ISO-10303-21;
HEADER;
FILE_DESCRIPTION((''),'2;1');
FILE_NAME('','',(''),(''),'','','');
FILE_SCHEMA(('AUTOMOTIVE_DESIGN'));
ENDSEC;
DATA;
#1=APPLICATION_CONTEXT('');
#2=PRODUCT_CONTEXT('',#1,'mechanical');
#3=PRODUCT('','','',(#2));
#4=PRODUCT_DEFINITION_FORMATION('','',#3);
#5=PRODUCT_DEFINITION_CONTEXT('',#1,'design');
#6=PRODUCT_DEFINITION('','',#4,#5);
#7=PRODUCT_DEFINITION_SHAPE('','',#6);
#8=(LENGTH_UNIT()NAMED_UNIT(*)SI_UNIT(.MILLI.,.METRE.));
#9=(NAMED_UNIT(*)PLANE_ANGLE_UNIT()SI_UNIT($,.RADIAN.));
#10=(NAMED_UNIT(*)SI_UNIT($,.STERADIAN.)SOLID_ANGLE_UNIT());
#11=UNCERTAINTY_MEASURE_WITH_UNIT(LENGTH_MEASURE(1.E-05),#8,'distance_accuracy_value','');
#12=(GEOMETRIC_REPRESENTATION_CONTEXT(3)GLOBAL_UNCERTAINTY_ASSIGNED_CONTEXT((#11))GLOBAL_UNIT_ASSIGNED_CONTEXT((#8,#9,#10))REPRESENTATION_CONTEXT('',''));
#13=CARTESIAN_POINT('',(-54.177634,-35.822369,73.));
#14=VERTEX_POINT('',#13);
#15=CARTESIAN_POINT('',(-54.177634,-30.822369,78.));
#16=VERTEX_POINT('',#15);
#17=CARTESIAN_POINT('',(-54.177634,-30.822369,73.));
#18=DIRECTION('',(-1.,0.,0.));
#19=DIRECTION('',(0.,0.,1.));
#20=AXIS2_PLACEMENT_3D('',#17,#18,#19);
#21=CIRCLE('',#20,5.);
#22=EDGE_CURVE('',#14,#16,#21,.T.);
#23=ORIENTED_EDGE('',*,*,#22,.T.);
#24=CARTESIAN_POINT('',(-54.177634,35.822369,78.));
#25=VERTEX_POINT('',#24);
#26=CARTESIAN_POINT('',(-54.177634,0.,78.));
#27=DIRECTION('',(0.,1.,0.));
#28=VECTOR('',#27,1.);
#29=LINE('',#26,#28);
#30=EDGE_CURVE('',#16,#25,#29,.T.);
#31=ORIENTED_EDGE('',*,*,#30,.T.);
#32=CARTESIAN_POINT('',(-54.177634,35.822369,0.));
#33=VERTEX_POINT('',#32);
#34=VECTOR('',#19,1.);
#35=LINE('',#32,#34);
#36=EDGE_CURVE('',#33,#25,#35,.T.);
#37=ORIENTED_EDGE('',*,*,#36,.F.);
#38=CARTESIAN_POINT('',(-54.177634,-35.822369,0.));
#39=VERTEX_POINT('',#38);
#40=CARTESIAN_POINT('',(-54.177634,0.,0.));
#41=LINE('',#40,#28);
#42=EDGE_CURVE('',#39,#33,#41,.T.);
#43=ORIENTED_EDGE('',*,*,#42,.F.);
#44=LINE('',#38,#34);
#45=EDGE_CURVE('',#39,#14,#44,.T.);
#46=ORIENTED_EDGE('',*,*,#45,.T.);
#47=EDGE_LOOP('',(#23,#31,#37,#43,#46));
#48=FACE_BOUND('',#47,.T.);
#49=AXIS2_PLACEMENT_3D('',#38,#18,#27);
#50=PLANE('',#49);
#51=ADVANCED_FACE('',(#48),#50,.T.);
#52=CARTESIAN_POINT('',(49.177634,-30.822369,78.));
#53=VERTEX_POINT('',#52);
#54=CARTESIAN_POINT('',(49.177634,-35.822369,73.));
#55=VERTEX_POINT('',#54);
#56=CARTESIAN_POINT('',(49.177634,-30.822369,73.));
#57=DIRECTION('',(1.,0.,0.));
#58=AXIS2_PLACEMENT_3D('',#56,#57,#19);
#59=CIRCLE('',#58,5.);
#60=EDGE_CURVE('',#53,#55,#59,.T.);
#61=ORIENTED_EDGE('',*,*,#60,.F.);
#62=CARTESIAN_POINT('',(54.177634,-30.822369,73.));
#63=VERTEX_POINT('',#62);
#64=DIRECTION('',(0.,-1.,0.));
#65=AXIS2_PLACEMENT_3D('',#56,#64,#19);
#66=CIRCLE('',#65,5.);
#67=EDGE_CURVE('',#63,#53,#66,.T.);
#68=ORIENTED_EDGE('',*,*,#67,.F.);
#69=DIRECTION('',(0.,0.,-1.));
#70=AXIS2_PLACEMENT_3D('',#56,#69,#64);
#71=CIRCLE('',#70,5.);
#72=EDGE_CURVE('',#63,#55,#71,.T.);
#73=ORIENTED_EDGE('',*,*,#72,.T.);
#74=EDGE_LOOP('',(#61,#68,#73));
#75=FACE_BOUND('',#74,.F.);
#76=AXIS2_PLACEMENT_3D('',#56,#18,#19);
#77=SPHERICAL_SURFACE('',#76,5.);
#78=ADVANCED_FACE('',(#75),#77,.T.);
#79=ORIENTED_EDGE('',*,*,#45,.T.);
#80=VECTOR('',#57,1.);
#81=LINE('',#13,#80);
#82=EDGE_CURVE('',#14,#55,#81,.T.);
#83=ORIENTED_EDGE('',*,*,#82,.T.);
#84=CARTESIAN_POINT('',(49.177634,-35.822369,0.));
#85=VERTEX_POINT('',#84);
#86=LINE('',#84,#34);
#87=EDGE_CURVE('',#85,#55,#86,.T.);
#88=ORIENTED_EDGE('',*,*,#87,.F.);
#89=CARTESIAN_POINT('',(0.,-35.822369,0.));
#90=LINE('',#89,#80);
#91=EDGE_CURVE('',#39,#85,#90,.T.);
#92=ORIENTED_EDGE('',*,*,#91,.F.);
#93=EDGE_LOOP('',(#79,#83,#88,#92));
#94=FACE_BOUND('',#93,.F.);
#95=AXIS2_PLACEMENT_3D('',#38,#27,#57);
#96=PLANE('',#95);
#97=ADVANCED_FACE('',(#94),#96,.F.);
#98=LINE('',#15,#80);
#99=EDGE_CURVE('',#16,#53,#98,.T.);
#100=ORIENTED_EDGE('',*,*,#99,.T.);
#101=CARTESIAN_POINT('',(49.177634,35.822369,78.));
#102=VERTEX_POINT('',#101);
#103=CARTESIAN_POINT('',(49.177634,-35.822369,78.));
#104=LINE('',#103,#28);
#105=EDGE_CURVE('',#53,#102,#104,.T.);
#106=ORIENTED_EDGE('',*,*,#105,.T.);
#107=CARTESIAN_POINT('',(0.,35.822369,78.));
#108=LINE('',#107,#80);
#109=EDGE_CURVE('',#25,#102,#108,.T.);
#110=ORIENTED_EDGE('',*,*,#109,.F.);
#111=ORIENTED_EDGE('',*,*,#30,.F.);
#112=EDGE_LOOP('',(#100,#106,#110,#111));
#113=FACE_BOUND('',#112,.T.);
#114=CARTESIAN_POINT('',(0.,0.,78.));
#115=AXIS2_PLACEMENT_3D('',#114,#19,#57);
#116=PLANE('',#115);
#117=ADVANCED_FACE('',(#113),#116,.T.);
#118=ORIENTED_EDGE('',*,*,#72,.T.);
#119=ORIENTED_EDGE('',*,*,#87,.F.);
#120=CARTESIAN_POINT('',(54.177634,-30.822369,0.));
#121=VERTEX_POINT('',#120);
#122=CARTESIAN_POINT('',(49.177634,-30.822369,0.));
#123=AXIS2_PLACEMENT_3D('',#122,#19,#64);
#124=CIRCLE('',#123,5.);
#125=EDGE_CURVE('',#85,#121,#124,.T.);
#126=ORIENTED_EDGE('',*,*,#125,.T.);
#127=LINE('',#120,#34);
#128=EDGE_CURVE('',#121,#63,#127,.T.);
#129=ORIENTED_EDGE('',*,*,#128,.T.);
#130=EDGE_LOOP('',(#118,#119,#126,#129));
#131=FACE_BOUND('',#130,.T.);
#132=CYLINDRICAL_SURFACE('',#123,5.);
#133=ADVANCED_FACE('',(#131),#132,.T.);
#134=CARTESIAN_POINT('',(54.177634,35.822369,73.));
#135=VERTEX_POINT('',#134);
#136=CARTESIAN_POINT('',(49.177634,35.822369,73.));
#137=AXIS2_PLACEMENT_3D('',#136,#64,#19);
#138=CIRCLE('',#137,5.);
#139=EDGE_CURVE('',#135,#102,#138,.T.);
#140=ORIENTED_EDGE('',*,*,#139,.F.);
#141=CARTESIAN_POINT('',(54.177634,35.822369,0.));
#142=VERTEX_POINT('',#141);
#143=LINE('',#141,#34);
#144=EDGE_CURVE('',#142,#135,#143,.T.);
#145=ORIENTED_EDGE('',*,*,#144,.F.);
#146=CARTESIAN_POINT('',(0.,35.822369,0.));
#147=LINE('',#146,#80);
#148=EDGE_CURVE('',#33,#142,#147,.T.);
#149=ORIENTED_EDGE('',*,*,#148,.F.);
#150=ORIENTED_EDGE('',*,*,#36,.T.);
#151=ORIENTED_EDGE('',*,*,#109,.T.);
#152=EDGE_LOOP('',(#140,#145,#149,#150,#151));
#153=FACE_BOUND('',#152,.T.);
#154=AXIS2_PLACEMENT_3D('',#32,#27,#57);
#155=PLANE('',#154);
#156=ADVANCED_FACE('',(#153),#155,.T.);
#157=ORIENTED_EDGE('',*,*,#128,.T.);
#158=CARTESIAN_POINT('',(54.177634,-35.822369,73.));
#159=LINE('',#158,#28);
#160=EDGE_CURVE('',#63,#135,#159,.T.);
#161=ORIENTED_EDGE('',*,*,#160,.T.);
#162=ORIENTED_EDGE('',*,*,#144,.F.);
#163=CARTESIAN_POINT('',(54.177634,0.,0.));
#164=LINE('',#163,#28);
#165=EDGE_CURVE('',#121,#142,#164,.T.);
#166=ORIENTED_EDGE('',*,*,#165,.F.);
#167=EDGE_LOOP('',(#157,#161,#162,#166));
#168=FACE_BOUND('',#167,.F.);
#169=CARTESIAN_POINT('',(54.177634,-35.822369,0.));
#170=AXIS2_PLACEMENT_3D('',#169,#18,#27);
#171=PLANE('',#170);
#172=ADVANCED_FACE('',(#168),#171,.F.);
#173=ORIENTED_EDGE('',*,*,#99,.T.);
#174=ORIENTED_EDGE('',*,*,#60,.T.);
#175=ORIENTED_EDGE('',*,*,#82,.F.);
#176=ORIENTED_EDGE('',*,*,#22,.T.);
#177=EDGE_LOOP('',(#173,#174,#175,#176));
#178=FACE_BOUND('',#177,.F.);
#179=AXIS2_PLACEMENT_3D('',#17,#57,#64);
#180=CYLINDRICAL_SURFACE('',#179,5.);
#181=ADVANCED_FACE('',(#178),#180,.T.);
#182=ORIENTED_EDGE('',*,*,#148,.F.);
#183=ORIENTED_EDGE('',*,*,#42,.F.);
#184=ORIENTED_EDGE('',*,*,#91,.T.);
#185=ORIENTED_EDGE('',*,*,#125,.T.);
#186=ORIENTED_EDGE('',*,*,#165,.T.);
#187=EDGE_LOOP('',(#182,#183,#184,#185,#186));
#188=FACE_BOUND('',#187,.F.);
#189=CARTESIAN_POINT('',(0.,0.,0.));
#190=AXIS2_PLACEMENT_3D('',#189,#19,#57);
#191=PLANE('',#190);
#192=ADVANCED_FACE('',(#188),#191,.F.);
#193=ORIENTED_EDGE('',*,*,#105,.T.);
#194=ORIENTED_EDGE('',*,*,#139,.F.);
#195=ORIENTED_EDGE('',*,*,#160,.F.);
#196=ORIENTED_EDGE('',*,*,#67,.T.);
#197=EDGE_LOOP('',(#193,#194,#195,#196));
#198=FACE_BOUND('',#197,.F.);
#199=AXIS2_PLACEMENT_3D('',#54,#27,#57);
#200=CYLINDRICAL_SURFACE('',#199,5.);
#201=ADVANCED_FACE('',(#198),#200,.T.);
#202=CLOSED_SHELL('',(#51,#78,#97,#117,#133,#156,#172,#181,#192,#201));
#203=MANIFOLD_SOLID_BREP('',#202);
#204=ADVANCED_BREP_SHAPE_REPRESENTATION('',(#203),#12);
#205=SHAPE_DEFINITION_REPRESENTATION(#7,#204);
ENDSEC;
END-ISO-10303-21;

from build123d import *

# Parameters (mm, degrees)
F0_W     = 108.355268
F0_H     = 71.644738
F1_DEPTH = 78
F2_R     = 5


with BuildPart() as f1:
    # F0 (on Top) → F1 (new body)
    with BuildSketch(Plane.XY):
        Rectangle(F0_W, F0_H)
    extrude(amount=F1_DEPTH)

    # F2
    f2_edges = [f1.edges().sort_by_distance(p)[0] for p in [
        (0, -35.822369, 78),
        (54.177634, 0, 78),
        (54.177634, -35.822369, 39),
    ]]
    fillet(f2_edges, radius=F2_R)


solid = f1.part
